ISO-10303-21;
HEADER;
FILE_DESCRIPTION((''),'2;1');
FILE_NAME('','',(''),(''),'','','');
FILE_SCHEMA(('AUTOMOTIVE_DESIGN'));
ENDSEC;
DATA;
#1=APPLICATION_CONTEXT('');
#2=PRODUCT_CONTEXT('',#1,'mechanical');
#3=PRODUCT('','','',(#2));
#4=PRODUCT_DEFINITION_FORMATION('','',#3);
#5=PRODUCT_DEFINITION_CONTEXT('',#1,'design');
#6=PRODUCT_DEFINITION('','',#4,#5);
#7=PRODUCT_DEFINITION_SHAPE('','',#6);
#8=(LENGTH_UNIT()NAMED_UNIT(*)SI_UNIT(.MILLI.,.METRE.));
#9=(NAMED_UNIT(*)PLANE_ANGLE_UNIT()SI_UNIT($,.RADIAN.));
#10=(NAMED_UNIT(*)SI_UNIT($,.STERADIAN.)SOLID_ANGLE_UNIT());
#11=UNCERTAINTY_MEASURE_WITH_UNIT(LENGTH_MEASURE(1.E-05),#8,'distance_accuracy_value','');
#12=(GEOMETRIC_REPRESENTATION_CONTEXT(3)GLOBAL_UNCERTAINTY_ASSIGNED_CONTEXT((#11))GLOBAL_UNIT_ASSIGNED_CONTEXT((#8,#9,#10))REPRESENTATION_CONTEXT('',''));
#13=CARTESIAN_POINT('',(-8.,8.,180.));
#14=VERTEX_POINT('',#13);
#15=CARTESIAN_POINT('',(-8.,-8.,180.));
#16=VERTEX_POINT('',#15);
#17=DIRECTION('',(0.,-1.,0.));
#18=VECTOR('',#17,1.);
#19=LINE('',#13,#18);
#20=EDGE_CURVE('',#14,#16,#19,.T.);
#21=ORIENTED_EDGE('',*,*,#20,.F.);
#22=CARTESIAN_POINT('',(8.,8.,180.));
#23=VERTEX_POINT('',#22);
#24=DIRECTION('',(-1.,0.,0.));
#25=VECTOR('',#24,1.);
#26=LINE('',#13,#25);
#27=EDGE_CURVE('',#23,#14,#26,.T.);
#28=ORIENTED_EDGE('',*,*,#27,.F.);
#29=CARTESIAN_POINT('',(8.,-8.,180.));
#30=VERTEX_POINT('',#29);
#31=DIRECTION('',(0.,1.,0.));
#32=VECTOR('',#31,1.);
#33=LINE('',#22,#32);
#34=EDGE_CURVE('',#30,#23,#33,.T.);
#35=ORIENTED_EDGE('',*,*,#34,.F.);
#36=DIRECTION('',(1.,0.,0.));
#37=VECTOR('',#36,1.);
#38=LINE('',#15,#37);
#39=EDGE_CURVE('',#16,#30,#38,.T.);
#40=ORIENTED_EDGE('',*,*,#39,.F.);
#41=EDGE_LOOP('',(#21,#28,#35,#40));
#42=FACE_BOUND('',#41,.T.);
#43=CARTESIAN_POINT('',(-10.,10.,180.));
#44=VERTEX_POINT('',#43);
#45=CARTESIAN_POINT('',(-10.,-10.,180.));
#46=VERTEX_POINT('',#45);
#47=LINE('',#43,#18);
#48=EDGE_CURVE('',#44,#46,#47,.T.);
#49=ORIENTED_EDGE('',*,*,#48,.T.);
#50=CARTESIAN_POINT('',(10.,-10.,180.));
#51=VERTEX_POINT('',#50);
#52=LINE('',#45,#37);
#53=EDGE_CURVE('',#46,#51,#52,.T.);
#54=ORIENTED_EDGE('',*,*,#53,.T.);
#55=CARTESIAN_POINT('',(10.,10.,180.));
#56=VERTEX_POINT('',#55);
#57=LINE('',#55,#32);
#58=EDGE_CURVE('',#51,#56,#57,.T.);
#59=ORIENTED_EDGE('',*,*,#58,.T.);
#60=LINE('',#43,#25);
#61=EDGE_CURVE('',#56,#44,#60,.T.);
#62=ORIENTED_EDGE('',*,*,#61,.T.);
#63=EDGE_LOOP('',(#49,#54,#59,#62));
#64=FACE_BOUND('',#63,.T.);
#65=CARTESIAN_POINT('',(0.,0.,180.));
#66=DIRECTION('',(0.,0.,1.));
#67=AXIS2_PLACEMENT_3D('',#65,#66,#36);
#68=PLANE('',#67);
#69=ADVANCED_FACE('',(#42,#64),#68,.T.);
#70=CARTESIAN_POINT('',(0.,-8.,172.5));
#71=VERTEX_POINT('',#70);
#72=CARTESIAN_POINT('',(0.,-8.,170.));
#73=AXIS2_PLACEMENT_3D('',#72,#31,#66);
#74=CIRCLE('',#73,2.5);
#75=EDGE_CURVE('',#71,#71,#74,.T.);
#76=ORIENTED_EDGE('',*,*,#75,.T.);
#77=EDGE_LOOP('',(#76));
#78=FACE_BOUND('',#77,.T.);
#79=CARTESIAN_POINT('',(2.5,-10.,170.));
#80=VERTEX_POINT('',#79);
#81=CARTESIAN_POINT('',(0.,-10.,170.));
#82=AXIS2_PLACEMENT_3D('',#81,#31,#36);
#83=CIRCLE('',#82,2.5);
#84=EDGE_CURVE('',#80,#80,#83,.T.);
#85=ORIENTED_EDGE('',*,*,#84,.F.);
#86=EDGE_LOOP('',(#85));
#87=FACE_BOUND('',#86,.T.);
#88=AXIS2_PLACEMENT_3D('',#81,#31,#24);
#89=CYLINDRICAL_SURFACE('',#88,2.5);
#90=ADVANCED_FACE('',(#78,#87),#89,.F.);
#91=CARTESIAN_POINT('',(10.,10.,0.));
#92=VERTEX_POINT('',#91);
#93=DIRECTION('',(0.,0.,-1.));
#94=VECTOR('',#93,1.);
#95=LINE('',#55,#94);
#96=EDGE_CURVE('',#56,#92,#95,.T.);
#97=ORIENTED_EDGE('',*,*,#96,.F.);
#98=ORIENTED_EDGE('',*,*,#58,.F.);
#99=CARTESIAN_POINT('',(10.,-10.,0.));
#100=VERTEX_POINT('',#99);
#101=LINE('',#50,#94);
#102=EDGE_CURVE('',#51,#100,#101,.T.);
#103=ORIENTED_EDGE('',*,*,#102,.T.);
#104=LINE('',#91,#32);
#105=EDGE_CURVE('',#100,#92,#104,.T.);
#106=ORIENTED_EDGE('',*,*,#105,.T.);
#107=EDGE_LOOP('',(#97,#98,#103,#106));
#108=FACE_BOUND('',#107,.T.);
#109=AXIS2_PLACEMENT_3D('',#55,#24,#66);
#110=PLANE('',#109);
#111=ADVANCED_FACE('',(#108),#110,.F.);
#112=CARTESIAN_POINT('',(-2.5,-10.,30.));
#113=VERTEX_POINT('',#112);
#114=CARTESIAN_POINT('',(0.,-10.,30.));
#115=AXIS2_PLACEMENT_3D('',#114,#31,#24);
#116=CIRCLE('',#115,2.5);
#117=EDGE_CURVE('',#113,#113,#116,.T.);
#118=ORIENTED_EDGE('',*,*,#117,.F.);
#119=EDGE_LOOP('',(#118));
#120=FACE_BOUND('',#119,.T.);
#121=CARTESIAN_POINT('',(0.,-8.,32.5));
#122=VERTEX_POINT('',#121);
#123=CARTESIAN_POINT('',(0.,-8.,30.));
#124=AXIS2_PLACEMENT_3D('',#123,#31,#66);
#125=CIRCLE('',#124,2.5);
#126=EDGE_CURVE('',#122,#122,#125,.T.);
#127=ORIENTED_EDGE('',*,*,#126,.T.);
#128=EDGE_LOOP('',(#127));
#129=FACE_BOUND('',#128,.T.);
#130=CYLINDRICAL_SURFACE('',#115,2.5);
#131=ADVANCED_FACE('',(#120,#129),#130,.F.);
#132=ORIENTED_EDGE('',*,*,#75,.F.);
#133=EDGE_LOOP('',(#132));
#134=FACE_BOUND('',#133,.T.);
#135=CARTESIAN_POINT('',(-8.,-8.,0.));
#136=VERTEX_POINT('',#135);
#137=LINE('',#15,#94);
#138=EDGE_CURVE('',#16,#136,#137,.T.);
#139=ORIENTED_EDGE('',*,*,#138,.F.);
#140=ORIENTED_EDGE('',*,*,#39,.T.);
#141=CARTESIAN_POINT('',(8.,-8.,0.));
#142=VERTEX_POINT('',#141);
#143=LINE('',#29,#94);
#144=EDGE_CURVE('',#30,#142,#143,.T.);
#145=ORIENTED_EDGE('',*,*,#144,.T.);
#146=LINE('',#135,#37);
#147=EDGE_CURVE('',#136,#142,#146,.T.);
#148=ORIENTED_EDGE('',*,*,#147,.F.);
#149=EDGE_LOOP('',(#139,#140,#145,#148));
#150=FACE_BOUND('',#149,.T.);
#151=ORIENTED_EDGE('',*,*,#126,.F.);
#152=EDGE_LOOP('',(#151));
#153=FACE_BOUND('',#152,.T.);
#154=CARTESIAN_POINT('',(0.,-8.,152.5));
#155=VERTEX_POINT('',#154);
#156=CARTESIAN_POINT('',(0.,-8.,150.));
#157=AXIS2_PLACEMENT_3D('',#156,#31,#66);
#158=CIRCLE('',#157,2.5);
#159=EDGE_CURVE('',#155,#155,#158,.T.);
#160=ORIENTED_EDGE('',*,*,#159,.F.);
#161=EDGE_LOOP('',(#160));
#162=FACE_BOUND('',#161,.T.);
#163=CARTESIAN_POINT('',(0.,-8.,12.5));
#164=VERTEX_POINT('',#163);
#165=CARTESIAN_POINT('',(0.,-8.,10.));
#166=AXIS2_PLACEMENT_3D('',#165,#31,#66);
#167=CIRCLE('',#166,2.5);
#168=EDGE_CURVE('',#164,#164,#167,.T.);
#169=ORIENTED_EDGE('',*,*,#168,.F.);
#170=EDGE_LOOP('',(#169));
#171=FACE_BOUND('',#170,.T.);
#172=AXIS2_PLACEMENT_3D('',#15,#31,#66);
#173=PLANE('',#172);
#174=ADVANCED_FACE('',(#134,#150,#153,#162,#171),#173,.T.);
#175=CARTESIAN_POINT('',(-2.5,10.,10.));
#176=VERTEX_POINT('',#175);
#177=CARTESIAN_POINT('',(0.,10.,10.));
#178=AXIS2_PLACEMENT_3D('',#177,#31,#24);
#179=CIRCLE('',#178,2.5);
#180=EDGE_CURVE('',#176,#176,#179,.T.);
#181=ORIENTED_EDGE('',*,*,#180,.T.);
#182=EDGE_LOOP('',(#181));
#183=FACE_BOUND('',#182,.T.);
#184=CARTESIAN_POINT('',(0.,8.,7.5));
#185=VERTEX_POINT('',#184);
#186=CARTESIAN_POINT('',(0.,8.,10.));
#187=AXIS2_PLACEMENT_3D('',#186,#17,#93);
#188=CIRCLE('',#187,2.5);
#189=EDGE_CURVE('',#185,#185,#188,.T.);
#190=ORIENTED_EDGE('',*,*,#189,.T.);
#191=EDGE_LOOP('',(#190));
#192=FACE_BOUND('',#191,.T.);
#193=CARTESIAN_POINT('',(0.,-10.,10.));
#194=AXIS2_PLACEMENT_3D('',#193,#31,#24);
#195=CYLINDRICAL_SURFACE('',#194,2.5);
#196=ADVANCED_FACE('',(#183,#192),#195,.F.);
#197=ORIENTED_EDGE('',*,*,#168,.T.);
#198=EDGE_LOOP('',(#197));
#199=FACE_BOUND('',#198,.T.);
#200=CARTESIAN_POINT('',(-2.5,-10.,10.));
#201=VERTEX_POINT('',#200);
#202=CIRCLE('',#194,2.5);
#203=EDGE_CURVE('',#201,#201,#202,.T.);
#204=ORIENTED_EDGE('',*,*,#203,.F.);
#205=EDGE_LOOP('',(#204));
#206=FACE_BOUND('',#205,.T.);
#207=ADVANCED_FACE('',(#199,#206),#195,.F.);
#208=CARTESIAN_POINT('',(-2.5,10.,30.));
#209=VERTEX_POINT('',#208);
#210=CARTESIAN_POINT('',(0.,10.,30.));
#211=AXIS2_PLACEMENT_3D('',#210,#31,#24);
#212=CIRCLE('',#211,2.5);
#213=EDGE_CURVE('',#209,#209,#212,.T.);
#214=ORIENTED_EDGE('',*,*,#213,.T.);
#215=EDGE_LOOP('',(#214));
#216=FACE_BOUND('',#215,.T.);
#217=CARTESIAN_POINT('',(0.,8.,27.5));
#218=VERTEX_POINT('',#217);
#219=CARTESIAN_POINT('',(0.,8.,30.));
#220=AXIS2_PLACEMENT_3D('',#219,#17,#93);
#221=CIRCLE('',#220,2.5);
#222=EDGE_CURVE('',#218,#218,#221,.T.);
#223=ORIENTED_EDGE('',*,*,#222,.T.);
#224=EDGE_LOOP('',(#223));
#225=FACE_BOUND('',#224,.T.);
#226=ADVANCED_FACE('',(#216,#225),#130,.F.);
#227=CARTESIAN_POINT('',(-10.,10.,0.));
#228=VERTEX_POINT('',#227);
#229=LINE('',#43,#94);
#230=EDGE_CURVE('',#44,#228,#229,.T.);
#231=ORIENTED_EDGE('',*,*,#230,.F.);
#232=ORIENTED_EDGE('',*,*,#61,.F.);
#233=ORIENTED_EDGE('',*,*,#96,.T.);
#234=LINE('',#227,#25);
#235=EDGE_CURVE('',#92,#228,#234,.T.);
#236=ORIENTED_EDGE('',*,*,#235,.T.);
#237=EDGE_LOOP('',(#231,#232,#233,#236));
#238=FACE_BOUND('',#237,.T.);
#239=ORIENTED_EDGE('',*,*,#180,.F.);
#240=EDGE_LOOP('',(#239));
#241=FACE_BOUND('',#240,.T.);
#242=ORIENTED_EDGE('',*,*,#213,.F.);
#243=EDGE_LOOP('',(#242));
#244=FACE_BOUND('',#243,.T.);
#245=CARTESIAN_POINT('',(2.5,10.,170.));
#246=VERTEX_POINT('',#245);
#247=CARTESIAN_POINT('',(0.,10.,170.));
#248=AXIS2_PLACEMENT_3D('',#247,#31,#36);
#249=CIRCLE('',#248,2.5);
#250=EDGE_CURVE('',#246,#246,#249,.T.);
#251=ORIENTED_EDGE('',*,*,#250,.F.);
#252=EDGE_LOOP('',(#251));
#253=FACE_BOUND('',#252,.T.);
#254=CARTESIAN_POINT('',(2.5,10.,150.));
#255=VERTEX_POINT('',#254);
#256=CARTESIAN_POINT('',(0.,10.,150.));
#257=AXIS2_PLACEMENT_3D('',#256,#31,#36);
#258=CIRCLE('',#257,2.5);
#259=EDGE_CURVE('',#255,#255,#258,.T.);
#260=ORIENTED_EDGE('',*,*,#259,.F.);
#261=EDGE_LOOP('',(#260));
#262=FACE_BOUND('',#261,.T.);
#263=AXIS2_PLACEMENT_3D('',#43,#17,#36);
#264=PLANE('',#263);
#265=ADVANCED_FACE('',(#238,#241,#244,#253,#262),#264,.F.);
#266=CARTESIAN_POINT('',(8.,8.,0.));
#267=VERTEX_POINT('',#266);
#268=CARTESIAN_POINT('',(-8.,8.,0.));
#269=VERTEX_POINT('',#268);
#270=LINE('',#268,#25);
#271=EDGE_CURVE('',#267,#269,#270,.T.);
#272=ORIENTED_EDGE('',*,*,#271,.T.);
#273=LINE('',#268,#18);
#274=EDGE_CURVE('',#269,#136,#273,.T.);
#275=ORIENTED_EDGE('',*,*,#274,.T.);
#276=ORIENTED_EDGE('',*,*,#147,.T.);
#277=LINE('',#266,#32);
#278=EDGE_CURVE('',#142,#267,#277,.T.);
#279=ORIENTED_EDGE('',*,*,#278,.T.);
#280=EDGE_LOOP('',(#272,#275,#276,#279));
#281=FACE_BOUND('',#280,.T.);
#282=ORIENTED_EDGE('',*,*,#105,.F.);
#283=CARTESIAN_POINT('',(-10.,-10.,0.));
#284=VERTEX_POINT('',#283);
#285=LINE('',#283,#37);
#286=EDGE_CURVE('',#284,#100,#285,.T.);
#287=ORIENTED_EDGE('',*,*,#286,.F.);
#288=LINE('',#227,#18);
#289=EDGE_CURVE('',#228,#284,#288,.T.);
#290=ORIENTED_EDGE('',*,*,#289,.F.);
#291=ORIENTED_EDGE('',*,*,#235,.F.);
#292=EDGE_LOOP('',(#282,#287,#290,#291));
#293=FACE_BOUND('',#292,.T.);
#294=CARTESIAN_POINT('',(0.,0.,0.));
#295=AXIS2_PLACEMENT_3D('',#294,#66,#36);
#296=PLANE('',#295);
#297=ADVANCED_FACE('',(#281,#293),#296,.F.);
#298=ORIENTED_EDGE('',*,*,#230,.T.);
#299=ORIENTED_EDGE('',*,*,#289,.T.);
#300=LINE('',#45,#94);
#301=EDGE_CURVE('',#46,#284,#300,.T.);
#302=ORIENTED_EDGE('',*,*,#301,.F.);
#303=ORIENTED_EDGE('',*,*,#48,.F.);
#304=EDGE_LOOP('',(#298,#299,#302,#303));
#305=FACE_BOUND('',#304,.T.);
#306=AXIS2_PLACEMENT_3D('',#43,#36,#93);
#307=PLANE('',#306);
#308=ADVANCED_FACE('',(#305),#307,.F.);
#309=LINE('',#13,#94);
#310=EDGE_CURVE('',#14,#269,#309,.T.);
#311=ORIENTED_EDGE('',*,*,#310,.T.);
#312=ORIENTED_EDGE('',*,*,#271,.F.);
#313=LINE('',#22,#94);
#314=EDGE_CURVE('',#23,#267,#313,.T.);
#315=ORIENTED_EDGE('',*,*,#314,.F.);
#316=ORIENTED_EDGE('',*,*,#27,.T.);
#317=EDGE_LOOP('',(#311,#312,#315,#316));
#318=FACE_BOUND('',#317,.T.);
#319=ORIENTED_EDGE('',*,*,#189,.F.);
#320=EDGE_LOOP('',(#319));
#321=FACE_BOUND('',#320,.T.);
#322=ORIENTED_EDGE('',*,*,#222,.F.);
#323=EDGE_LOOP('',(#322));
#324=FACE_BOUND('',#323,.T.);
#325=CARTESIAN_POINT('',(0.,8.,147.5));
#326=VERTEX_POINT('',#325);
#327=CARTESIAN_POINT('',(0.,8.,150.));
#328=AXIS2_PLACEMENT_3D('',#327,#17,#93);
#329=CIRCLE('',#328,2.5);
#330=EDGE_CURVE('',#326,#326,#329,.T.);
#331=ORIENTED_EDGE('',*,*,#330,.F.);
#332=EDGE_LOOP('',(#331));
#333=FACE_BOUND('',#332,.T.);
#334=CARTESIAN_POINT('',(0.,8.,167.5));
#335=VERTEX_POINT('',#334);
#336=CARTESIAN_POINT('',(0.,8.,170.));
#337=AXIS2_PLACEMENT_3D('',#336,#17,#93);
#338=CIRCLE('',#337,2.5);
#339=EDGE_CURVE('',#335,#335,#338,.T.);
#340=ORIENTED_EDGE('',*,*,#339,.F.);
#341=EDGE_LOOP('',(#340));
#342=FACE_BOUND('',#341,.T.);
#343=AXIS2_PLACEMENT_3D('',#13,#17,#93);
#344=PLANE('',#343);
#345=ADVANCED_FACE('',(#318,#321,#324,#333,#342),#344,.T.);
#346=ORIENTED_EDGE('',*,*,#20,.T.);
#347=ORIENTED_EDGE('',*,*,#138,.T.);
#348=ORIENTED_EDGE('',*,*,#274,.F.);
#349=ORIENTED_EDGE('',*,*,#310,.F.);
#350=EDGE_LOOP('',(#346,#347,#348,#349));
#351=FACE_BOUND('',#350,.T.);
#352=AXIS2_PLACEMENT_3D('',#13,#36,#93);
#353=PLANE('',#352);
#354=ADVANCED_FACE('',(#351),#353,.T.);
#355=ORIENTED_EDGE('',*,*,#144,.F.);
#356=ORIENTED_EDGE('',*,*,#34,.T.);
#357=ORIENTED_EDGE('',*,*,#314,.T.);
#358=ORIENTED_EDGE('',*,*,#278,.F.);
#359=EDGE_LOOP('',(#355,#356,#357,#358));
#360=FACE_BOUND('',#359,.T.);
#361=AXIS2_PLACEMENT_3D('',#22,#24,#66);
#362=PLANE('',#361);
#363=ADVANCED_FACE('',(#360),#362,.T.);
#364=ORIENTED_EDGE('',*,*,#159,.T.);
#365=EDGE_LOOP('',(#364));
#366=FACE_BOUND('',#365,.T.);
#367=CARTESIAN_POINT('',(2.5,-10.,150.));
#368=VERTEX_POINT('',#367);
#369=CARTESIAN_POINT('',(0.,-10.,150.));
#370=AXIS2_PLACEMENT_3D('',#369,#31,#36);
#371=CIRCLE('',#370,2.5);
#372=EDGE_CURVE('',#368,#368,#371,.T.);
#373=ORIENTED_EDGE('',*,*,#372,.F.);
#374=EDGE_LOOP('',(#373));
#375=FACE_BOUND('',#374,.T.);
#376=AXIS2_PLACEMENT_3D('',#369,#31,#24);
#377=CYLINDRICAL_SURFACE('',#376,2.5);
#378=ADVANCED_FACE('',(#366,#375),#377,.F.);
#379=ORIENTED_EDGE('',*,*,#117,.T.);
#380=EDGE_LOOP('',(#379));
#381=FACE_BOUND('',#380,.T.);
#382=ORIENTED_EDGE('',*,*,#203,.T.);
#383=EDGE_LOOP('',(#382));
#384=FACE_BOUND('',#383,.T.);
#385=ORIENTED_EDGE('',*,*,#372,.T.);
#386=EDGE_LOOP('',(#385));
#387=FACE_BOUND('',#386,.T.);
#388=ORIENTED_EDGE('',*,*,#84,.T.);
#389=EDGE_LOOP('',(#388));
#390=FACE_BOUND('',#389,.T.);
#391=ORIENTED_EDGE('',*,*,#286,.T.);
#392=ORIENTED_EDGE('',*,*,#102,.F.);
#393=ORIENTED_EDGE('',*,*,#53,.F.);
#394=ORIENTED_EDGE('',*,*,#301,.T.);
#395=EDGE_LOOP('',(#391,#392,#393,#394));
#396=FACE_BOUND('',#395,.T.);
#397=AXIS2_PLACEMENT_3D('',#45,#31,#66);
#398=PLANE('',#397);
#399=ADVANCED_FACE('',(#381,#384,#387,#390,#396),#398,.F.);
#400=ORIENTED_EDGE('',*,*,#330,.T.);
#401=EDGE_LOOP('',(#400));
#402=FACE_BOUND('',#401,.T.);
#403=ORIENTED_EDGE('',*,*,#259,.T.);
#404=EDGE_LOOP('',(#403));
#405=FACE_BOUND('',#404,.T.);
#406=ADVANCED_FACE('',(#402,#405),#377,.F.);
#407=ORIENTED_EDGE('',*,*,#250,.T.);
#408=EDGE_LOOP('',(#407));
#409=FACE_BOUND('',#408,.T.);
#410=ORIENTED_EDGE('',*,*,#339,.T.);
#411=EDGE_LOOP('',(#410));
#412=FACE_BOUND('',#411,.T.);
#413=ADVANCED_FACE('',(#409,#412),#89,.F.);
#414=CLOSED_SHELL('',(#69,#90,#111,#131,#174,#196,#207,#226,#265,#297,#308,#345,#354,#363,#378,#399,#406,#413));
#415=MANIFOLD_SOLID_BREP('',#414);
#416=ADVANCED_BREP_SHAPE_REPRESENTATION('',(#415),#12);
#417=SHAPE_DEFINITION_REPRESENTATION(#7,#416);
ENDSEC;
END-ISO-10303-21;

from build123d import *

# Parameters (mm, degrees)
SKETCH1_W           = 20
SKETCH1_H           = 20
SKETCH1_W_2         = 16
SKETCH1_H_2         = 16
BOSS_EXTRUDE1_DEPTH = 180
SKETCH2_R           = 2.5
CUT_EXTRUDE1_DEPTH  = 182.383571472


with BuildPart() as part:
    # Sketch1 → Boss-Extrude1 (new body)
    with BuildSketch(Plane.XY):
        Rectangle(SKETCH1_W, SKETCH1_H)
        Rectangle(SKETCH1_W_2, SKETCH1_H_2, mode=Mode.SUBTRACT)
    extrude(amount=BOSS_EXTRUDE1_DEPTH)

    # Sketch2 → Cut-Extrude1 (cut, through all)
    with BuildSketch(Plane(origin=(0, 10, 0), x_dir=(1, 0, 0), z_dir=(0, 1, 0))):
        with Locations(Location((0, -10, 0), (0, 0, 180))):
            Circle(SKETCH2_R)
        with Locations(Location((0, -30, 0), (0, 0, 180))):
            Circle(SKETCH2_R)
        with Locations(Location((0, -150, 0), (0, 0, 270))):
            Circle(SKETCH2_R)
        with Locations(Location((0, -170, 0), (0, 0, 270))):
            Circle(SKETCH2_R)
    extrude(amount=-CUT_EXTRUDE1_DEPTH, mode=Mode.SUBTRACT)


solid = part.part
